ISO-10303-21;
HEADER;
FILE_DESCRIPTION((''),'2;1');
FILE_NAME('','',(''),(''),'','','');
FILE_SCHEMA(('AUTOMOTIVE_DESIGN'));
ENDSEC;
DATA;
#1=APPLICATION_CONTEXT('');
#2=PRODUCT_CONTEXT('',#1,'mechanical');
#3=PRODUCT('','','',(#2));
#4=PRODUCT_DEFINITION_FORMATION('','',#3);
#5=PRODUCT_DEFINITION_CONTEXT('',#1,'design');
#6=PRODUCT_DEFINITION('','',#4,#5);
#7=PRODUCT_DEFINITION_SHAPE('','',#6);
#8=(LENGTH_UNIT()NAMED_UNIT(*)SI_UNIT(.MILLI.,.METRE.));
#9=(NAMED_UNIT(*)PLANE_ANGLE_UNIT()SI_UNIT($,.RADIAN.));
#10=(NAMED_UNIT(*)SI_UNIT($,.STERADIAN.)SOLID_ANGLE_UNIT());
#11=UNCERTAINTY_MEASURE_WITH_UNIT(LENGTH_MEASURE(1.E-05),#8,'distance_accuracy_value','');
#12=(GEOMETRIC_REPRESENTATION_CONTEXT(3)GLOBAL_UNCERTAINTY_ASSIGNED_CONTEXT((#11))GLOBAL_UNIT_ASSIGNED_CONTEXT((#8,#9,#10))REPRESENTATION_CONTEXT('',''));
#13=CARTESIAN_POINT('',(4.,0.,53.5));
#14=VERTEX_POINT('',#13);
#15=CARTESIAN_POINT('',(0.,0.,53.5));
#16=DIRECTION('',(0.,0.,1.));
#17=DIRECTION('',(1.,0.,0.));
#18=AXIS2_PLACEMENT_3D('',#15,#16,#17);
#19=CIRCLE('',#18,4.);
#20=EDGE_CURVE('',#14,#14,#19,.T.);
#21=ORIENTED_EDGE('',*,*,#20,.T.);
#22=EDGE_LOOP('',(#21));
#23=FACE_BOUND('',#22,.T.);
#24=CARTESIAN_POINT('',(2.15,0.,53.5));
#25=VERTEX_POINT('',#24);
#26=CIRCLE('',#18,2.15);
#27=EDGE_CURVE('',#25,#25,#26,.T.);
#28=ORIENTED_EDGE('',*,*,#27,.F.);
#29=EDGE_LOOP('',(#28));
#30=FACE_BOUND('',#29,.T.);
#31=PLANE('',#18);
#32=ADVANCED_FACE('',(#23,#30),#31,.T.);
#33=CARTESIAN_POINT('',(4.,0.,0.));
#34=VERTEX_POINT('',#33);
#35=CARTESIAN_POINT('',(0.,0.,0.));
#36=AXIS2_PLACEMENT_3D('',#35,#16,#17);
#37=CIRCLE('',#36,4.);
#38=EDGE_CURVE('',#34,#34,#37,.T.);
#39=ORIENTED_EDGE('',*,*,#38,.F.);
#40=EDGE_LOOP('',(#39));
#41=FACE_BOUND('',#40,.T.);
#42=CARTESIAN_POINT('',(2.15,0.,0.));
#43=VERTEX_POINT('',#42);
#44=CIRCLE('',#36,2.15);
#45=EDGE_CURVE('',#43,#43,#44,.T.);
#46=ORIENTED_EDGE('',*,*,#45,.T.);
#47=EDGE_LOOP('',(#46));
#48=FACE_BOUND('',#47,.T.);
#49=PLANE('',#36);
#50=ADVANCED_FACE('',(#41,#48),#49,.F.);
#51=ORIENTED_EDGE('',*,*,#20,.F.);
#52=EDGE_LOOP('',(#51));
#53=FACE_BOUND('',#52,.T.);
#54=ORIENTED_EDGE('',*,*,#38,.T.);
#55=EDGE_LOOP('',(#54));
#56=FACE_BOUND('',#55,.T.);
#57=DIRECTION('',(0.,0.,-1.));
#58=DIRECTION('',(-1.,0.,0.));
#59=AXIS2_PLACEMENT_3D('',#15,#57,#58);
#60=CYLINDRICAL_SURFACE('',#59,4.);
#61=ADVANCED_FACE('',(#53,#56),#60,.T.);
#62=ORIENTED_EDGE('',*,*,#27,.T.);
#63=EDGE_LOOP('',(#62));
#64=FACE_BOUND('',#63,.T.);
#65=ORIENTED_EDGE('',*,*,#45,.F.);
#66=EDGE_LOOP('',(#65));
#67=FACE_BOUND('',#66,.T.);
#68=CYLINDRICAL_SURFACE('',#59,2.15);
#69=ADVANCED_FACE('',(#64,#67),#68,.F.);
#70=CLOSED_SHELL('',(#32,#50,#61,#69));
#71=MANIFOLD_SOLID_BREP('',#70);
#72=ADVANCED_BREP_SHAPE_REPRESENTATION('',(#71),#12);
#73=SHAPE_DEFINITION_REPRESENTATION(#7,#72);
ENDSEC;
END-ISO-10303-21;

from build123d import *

# Parameters (mm, degrees)
SKETCH1_R           = 4
SKETCH1_R_2         = 2.15
BOSS_EXTRUDE1_DEPTH = 53.5


with BuildPart() as part:
    # Sketch1 → Boss-Extrude1 (new body)
    with BuildSketch(Plane.XY):
        Circle(SKETCH1_R)
        Circle(SKETCH1_R_2, mode=Mode.SUBTRACT)
    extrude(amount=BOSS_EXTRUDE1_DEPTH)


solid = part.part
